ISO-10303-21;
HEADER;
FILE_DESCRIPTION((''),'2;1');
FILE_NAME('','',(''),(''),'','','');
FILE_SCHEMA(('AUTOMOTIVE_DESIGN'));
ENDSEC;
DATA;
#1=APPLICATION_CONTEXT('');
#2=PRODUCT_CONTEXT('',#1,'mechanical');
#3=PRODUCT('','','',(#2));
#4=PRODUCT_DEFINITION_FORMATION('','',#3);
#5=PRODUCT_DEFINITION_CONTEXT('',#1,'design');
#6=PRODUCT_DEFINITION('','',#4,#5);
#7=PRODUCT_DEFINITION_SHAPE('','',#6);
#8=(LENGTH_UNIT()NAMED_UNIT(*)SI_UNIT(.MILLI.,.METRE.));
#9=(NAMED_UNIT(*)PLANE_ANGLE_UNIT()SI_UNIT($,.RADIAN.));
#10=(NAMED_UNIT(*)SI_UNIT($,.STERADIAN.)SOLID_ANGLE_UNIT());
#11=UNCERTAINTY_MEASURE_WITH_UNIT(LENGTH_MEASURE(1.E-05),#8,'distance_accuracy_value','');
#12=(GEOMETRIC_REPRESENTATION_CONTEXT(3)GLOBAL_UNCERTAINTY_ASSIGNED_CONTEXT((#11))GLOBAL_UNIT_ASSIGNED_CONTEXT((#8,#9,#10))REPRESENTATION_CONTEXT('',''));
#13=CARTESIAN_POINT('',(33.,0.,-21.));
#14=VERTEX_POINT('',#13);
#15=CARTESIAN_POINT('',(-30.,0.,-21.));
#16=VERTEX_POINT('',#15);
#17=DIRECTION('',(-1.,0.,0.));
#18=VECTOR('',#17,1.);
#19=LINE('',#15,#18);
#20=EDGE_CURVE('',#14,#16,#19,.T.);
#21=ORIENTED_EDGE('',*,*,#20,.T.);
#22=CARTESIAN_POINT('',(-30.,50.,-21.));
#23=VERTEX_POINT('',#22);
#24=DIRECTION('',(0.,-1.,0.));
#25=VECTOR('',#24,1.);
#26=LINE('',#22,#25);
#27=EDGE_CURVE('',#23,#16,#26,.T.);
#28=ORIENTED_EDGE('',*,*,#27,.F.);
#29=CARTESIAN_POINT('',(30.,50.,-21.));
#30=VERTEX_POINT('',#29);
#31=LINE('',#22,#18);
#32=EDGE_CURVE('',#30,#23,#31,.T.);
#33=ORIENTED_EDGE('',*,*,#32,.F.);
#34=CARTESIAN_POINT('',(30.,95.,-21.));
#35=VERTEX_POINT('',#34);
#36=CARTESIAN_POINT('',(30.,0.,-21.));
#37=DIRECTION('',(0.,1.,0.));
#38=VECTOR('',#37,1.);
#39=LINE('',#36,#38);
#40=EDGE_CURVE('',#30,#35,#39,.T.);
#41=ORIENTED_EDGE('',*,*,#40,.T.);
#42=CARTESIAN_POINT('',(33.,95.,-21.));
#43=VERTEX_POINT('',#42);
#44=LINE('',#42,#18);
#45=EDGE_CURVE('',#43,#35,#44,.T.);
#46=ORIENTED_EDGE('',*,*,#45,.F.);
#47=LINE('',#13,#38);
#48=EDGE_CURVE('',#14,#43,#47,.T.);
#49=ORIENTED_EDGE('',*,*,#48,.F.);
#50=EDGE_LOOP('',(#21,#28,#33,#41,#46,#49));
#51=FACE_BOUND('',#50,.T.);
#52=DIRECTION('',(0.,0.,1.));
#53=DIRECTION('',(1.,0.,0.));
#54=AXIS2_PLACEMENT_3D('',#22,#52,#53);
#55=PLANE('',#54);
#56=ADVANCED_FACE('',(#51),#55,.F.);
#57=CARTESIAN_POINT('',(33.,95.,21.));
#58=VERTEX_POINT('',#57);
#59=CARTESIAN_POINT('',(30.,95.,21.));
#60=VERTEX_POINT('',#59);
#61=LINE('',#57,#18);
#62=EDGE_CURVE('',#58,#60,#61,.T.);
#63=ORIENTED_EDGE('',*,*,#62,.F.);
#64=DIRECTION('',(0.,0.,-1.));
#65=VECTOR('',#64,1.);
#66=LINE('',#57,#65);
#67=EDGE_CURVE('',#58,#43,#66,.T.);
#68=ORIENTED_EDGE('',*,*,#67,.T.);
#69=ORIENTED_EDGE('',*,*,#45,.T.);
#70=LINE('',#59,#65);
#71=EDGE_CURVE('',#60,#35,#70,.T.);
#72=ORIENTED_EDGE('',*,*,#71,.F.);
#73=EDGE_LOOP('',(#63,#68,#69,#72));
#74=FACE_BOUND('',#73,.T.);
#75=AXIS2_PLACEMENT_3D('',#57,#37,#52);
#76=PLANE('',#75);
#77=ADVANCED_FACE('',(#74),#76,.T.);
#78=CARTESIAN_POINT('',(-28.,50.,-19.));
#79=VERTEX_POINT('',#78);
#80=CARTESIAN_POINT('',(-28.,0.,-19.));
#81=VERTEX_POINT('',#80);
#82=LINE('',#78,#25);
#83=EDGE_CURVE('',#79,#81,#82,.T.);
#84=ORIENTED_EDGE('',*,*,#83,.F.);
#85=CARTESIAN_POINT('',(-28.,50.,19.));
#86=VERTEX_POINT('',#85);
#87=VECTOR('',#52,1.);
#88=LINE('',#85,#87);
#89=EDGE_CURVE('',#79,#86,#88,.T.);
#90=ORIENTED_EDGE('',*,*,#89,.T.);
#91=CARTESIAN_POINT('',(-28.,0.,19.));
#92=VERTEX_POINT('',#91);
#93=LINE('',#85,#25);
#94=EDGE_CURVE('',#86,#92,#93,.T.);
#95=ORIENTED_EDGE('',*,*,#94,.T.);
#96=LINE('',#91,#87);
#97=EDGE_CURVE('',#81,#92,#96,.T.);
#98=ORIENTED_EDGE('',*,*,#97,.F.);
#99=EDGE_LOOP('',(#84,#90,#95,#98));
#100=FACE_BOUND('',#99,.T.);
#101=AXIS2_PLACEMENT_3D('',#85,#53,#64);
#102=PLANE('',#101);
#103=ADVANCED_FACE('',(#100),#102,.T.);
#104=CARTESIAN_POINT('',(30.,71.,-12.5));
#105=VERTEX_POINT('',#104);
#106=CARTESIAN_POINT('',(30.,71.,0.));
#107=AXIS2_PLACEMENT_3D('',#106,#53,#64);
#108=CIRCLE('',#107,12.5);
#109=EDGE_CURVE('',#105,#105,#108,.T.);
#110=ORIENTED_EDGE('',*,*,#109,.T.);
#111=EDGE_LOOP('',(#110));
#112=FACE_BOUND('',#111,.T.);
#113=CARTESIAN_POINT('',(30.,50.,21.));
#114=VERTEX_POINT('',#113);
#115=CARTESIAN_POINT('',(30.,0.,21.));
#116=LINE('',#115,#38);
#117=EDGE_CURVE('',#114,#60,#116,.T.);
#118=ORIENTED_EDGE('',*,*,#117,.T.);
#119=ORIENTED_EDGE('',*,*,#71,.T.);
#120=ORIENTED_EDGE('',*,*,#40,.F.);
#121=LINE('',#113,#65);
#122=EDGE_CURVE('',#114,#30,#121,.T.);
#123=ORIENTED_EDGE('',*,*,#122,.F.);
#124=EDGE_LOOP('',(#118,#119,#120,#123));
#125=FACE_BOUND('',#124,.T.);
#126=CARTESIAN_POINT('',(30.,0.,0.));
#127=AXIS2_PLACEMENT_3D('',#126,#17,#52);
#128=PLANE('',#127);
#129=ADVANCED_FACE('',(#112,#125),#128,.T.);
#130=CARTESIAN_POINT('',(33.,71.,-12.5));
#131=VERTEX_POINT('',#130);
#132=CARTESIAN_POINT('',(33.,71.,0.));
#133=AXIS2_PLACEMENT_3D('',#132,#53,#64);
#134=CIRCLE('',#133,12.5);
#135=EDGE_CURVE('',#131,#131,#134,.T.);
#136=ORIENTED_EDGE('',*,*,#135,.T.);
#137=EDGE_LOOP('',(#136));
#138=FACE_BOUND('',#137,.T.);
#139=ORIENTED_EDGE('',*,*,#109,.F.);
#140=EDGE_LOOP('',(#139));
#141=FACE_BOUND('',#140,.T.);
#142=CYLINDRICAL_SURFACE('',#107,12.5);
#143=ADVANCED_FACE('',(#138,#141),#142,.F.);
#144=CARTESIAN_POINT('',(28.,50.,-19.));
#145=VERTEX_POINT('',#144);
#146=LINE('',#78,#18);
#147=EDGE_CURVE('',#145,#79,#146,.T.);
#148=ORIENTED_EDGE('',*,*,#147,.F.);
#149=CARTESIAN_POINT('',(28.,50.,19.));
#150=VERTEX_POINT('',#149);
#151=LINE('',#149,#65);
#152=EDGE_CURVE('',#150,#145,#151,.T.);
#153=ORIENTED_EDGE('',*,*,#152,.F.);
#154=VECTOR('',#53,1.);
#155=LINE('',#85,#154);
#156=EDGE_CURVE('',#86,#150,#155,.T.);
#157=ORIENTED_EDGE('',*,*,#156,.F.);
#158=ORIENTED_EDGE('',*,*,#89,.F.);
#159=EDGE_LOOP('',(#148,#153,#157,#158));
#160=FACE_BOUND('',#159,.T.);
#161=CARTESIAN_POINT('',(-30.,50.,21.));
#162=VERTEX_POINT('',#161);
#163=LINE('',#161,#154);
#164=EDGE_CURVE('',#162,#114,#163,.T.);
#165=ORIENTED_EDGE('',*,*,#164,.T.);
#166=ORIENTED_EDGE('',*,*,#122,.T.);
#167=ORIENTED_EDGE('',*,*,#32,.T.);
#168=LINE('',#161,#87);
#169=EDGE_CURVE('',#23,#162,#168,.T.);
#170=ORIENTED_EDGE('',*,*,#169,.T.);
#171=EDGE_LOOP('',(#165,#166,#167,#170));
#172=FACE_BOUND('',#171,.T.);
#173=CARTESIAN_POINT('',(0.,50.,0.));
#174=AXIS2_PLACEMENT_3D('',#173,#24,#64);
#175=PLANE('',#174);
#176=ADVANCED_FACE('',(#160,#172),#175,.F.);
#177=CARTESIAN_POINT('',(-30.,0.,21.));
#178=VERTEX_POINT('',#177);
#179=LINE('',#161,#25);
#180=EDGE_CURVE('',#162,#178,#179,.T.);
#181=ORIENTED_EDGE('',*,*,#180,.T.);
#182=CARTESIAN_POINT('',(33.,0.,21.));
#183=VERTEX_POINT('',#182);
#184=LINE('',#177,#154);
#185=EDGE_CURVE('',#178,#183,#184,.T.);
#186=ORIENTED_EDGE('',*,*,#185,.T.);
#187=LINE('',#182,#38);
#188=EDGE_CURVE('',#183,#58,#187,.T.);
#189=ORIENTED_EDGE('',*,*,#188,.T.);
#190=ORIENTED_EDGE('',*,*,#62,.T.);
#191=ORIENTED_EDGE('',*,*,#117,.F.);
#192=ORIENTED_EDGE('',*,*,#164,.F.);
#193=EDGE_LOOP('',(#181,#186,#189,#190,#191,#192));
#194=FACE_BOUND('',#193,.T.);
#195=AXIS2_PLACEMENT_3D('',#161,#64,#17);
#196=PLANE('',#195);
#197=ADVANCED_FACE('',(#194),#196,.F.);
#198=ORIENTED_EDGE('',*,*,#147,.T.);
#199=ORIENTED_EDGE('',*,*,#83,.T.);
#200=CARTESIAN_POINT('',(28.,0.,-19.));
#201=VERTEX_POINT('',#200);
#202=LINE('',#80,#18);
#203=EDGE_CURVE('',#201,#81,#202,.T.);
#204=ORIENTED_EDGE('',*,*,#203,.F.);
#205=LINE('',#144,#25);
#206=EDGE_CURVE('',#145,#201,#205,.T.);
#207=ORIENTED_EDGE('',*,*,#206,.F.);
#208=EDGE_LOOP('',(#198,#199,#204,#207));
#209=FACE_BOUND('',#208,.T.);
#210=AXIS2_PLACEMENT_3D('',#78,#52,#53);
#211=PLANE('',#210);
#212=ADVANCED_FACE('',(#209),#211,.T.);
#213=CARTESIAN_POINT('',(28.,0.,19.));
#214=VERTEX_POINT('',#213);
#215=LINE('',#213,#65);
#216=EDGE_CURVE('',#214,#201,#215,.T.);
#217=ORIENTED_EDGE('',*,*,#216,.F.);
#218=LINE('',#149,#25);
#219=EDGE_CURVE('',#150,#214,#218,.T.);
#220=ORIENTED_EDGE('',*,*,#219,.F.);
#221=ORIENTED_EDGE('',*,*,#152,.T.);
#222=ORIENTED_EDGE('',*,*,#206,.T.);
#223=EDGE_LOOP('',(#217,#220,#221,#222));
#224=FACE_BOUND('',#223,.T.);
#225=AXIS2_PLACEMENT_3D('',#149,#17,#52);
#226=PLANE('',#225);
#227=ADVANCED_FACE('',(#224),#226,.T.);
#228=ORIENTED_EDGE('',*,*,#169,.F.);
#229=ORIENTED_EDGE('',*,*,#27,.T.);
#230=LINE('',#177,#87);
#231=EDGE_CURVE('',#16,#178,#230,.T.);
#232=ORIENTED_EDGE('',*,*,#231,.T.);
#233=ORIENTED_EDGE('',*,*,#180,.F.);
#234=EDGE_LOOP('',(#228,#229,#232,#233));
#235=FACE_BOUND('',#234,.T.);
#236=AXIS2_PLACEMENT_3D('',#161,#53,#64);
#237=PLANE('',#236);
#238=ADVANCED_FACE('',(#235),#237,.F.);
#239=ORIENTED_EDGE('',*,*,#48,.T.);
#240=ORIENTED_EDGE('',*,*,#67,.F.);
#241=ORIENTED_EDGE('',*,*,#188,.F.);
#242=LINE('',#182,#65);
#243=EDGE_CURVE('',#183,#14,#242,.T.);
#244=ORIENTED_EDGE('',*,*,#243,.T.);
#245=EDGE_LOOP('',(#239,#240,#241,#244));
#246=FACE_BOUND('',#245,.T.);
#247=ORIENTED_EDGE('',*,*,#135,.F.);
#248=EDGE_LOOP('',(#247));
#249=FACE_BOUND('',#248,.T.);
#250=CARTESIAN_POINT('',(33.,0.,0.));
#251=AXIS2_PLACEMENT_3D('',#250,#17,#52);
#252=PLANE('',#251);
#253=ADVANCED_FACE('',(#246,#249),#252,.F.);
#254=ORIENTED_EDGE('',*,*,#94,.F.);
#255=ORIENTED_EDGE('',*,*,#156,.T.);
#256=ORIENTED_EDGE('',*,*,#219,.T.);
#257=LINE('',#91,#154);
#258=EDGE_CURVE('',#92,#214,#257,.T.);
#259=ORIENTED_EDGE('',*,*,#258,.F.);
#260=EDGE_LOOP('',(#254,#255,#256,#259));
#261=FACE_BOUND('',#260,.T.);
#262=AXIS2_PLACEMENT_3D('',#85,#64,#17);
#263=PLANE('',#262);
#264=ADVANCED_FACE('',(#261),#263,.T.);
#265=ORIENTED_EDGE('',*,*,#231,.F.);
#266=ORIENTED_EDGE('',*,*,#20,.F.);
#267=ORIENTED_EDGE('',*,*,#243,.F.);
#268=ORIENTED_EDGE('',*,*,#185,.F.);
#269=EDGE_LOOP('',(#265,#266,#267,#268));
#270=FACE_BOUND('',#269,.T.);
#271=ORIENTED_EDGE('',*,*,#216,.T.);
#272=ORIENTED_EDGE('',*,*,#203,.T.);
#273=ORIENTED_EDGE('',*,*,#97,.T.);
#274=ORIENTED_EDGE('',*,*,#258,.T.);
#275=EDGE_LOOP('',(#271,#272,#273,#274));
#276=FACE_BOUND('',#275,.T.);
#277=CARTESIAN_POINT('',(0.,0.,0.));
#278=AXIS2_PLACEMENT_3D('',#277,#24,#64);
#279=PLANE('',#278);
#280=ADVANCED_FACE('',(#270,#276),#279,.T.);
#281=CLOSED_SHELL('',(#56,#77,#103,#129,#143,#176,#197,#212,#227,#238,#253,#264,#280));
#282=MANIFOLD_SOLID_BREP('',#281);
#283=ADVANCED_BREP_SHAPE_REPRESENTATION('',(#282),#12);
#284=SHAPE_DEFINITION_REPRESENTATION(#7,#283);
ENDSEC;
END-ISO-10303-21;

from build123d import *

# Parameters (mm, degrees)
SKETCH1_W           = 60
SKETCH1_H           = 42
SKETCH1_W_2         = 56
SKETCH1_H_2         = 38
BOSS_EXTRUDE1_DEPTH = 50
SKETCH2_W           = 42
SKETCH2_H           = 95
BOSS_EXTRUDE2_DEPTH = 3
SKETCH3_R           = 12.5
CUT_EXTRUDE1_DEPTH  = 3


with BuildPart() as part:
    # Sketch1 → Boss-Extrude1 (new body)
    with BuildSketch(Plane(origin=(0, 0, 0), x_dir=(1, 0, 0), z_dir=(0, 1, 0))):
        Rectangle(SKETCH1_W, SKETCH1_H)
        Rectangle(SKETCH1_W_2, SKETCH1_H_2, mode=Mode.SUBTRACT)
    extrude(amount=BOSS_EXTRUDE1_DEPTH)

    # Sketch2 → Boss-Extrude2 (add)
    with BuildSketch(Plane(origin=(30, 0, 0), x_dir=(0, 0, -1), z_dir=(1, 0, 0))):
        with Locations((0, 47.5)):
            Rectangle(SKETCH2_W, SKETCH2_H)
    extrude(amount=BOSS_EXTRUDE2_DEPTH)

    # Sketch3 → Cut-Extrude1 (cut)
    with BuildSketch(Plane(origin=(33, 0, 0), x_dir=(0, 0, -1), z_dir=(1, 0, 0))):
        with Locations((0, 71)):
            Circle(SKETCH3_R)
    extrude(amount=-CUT_EXTRUDE1_DEPTH, mode=Mode.SUBTRACT)


solid = part.part
